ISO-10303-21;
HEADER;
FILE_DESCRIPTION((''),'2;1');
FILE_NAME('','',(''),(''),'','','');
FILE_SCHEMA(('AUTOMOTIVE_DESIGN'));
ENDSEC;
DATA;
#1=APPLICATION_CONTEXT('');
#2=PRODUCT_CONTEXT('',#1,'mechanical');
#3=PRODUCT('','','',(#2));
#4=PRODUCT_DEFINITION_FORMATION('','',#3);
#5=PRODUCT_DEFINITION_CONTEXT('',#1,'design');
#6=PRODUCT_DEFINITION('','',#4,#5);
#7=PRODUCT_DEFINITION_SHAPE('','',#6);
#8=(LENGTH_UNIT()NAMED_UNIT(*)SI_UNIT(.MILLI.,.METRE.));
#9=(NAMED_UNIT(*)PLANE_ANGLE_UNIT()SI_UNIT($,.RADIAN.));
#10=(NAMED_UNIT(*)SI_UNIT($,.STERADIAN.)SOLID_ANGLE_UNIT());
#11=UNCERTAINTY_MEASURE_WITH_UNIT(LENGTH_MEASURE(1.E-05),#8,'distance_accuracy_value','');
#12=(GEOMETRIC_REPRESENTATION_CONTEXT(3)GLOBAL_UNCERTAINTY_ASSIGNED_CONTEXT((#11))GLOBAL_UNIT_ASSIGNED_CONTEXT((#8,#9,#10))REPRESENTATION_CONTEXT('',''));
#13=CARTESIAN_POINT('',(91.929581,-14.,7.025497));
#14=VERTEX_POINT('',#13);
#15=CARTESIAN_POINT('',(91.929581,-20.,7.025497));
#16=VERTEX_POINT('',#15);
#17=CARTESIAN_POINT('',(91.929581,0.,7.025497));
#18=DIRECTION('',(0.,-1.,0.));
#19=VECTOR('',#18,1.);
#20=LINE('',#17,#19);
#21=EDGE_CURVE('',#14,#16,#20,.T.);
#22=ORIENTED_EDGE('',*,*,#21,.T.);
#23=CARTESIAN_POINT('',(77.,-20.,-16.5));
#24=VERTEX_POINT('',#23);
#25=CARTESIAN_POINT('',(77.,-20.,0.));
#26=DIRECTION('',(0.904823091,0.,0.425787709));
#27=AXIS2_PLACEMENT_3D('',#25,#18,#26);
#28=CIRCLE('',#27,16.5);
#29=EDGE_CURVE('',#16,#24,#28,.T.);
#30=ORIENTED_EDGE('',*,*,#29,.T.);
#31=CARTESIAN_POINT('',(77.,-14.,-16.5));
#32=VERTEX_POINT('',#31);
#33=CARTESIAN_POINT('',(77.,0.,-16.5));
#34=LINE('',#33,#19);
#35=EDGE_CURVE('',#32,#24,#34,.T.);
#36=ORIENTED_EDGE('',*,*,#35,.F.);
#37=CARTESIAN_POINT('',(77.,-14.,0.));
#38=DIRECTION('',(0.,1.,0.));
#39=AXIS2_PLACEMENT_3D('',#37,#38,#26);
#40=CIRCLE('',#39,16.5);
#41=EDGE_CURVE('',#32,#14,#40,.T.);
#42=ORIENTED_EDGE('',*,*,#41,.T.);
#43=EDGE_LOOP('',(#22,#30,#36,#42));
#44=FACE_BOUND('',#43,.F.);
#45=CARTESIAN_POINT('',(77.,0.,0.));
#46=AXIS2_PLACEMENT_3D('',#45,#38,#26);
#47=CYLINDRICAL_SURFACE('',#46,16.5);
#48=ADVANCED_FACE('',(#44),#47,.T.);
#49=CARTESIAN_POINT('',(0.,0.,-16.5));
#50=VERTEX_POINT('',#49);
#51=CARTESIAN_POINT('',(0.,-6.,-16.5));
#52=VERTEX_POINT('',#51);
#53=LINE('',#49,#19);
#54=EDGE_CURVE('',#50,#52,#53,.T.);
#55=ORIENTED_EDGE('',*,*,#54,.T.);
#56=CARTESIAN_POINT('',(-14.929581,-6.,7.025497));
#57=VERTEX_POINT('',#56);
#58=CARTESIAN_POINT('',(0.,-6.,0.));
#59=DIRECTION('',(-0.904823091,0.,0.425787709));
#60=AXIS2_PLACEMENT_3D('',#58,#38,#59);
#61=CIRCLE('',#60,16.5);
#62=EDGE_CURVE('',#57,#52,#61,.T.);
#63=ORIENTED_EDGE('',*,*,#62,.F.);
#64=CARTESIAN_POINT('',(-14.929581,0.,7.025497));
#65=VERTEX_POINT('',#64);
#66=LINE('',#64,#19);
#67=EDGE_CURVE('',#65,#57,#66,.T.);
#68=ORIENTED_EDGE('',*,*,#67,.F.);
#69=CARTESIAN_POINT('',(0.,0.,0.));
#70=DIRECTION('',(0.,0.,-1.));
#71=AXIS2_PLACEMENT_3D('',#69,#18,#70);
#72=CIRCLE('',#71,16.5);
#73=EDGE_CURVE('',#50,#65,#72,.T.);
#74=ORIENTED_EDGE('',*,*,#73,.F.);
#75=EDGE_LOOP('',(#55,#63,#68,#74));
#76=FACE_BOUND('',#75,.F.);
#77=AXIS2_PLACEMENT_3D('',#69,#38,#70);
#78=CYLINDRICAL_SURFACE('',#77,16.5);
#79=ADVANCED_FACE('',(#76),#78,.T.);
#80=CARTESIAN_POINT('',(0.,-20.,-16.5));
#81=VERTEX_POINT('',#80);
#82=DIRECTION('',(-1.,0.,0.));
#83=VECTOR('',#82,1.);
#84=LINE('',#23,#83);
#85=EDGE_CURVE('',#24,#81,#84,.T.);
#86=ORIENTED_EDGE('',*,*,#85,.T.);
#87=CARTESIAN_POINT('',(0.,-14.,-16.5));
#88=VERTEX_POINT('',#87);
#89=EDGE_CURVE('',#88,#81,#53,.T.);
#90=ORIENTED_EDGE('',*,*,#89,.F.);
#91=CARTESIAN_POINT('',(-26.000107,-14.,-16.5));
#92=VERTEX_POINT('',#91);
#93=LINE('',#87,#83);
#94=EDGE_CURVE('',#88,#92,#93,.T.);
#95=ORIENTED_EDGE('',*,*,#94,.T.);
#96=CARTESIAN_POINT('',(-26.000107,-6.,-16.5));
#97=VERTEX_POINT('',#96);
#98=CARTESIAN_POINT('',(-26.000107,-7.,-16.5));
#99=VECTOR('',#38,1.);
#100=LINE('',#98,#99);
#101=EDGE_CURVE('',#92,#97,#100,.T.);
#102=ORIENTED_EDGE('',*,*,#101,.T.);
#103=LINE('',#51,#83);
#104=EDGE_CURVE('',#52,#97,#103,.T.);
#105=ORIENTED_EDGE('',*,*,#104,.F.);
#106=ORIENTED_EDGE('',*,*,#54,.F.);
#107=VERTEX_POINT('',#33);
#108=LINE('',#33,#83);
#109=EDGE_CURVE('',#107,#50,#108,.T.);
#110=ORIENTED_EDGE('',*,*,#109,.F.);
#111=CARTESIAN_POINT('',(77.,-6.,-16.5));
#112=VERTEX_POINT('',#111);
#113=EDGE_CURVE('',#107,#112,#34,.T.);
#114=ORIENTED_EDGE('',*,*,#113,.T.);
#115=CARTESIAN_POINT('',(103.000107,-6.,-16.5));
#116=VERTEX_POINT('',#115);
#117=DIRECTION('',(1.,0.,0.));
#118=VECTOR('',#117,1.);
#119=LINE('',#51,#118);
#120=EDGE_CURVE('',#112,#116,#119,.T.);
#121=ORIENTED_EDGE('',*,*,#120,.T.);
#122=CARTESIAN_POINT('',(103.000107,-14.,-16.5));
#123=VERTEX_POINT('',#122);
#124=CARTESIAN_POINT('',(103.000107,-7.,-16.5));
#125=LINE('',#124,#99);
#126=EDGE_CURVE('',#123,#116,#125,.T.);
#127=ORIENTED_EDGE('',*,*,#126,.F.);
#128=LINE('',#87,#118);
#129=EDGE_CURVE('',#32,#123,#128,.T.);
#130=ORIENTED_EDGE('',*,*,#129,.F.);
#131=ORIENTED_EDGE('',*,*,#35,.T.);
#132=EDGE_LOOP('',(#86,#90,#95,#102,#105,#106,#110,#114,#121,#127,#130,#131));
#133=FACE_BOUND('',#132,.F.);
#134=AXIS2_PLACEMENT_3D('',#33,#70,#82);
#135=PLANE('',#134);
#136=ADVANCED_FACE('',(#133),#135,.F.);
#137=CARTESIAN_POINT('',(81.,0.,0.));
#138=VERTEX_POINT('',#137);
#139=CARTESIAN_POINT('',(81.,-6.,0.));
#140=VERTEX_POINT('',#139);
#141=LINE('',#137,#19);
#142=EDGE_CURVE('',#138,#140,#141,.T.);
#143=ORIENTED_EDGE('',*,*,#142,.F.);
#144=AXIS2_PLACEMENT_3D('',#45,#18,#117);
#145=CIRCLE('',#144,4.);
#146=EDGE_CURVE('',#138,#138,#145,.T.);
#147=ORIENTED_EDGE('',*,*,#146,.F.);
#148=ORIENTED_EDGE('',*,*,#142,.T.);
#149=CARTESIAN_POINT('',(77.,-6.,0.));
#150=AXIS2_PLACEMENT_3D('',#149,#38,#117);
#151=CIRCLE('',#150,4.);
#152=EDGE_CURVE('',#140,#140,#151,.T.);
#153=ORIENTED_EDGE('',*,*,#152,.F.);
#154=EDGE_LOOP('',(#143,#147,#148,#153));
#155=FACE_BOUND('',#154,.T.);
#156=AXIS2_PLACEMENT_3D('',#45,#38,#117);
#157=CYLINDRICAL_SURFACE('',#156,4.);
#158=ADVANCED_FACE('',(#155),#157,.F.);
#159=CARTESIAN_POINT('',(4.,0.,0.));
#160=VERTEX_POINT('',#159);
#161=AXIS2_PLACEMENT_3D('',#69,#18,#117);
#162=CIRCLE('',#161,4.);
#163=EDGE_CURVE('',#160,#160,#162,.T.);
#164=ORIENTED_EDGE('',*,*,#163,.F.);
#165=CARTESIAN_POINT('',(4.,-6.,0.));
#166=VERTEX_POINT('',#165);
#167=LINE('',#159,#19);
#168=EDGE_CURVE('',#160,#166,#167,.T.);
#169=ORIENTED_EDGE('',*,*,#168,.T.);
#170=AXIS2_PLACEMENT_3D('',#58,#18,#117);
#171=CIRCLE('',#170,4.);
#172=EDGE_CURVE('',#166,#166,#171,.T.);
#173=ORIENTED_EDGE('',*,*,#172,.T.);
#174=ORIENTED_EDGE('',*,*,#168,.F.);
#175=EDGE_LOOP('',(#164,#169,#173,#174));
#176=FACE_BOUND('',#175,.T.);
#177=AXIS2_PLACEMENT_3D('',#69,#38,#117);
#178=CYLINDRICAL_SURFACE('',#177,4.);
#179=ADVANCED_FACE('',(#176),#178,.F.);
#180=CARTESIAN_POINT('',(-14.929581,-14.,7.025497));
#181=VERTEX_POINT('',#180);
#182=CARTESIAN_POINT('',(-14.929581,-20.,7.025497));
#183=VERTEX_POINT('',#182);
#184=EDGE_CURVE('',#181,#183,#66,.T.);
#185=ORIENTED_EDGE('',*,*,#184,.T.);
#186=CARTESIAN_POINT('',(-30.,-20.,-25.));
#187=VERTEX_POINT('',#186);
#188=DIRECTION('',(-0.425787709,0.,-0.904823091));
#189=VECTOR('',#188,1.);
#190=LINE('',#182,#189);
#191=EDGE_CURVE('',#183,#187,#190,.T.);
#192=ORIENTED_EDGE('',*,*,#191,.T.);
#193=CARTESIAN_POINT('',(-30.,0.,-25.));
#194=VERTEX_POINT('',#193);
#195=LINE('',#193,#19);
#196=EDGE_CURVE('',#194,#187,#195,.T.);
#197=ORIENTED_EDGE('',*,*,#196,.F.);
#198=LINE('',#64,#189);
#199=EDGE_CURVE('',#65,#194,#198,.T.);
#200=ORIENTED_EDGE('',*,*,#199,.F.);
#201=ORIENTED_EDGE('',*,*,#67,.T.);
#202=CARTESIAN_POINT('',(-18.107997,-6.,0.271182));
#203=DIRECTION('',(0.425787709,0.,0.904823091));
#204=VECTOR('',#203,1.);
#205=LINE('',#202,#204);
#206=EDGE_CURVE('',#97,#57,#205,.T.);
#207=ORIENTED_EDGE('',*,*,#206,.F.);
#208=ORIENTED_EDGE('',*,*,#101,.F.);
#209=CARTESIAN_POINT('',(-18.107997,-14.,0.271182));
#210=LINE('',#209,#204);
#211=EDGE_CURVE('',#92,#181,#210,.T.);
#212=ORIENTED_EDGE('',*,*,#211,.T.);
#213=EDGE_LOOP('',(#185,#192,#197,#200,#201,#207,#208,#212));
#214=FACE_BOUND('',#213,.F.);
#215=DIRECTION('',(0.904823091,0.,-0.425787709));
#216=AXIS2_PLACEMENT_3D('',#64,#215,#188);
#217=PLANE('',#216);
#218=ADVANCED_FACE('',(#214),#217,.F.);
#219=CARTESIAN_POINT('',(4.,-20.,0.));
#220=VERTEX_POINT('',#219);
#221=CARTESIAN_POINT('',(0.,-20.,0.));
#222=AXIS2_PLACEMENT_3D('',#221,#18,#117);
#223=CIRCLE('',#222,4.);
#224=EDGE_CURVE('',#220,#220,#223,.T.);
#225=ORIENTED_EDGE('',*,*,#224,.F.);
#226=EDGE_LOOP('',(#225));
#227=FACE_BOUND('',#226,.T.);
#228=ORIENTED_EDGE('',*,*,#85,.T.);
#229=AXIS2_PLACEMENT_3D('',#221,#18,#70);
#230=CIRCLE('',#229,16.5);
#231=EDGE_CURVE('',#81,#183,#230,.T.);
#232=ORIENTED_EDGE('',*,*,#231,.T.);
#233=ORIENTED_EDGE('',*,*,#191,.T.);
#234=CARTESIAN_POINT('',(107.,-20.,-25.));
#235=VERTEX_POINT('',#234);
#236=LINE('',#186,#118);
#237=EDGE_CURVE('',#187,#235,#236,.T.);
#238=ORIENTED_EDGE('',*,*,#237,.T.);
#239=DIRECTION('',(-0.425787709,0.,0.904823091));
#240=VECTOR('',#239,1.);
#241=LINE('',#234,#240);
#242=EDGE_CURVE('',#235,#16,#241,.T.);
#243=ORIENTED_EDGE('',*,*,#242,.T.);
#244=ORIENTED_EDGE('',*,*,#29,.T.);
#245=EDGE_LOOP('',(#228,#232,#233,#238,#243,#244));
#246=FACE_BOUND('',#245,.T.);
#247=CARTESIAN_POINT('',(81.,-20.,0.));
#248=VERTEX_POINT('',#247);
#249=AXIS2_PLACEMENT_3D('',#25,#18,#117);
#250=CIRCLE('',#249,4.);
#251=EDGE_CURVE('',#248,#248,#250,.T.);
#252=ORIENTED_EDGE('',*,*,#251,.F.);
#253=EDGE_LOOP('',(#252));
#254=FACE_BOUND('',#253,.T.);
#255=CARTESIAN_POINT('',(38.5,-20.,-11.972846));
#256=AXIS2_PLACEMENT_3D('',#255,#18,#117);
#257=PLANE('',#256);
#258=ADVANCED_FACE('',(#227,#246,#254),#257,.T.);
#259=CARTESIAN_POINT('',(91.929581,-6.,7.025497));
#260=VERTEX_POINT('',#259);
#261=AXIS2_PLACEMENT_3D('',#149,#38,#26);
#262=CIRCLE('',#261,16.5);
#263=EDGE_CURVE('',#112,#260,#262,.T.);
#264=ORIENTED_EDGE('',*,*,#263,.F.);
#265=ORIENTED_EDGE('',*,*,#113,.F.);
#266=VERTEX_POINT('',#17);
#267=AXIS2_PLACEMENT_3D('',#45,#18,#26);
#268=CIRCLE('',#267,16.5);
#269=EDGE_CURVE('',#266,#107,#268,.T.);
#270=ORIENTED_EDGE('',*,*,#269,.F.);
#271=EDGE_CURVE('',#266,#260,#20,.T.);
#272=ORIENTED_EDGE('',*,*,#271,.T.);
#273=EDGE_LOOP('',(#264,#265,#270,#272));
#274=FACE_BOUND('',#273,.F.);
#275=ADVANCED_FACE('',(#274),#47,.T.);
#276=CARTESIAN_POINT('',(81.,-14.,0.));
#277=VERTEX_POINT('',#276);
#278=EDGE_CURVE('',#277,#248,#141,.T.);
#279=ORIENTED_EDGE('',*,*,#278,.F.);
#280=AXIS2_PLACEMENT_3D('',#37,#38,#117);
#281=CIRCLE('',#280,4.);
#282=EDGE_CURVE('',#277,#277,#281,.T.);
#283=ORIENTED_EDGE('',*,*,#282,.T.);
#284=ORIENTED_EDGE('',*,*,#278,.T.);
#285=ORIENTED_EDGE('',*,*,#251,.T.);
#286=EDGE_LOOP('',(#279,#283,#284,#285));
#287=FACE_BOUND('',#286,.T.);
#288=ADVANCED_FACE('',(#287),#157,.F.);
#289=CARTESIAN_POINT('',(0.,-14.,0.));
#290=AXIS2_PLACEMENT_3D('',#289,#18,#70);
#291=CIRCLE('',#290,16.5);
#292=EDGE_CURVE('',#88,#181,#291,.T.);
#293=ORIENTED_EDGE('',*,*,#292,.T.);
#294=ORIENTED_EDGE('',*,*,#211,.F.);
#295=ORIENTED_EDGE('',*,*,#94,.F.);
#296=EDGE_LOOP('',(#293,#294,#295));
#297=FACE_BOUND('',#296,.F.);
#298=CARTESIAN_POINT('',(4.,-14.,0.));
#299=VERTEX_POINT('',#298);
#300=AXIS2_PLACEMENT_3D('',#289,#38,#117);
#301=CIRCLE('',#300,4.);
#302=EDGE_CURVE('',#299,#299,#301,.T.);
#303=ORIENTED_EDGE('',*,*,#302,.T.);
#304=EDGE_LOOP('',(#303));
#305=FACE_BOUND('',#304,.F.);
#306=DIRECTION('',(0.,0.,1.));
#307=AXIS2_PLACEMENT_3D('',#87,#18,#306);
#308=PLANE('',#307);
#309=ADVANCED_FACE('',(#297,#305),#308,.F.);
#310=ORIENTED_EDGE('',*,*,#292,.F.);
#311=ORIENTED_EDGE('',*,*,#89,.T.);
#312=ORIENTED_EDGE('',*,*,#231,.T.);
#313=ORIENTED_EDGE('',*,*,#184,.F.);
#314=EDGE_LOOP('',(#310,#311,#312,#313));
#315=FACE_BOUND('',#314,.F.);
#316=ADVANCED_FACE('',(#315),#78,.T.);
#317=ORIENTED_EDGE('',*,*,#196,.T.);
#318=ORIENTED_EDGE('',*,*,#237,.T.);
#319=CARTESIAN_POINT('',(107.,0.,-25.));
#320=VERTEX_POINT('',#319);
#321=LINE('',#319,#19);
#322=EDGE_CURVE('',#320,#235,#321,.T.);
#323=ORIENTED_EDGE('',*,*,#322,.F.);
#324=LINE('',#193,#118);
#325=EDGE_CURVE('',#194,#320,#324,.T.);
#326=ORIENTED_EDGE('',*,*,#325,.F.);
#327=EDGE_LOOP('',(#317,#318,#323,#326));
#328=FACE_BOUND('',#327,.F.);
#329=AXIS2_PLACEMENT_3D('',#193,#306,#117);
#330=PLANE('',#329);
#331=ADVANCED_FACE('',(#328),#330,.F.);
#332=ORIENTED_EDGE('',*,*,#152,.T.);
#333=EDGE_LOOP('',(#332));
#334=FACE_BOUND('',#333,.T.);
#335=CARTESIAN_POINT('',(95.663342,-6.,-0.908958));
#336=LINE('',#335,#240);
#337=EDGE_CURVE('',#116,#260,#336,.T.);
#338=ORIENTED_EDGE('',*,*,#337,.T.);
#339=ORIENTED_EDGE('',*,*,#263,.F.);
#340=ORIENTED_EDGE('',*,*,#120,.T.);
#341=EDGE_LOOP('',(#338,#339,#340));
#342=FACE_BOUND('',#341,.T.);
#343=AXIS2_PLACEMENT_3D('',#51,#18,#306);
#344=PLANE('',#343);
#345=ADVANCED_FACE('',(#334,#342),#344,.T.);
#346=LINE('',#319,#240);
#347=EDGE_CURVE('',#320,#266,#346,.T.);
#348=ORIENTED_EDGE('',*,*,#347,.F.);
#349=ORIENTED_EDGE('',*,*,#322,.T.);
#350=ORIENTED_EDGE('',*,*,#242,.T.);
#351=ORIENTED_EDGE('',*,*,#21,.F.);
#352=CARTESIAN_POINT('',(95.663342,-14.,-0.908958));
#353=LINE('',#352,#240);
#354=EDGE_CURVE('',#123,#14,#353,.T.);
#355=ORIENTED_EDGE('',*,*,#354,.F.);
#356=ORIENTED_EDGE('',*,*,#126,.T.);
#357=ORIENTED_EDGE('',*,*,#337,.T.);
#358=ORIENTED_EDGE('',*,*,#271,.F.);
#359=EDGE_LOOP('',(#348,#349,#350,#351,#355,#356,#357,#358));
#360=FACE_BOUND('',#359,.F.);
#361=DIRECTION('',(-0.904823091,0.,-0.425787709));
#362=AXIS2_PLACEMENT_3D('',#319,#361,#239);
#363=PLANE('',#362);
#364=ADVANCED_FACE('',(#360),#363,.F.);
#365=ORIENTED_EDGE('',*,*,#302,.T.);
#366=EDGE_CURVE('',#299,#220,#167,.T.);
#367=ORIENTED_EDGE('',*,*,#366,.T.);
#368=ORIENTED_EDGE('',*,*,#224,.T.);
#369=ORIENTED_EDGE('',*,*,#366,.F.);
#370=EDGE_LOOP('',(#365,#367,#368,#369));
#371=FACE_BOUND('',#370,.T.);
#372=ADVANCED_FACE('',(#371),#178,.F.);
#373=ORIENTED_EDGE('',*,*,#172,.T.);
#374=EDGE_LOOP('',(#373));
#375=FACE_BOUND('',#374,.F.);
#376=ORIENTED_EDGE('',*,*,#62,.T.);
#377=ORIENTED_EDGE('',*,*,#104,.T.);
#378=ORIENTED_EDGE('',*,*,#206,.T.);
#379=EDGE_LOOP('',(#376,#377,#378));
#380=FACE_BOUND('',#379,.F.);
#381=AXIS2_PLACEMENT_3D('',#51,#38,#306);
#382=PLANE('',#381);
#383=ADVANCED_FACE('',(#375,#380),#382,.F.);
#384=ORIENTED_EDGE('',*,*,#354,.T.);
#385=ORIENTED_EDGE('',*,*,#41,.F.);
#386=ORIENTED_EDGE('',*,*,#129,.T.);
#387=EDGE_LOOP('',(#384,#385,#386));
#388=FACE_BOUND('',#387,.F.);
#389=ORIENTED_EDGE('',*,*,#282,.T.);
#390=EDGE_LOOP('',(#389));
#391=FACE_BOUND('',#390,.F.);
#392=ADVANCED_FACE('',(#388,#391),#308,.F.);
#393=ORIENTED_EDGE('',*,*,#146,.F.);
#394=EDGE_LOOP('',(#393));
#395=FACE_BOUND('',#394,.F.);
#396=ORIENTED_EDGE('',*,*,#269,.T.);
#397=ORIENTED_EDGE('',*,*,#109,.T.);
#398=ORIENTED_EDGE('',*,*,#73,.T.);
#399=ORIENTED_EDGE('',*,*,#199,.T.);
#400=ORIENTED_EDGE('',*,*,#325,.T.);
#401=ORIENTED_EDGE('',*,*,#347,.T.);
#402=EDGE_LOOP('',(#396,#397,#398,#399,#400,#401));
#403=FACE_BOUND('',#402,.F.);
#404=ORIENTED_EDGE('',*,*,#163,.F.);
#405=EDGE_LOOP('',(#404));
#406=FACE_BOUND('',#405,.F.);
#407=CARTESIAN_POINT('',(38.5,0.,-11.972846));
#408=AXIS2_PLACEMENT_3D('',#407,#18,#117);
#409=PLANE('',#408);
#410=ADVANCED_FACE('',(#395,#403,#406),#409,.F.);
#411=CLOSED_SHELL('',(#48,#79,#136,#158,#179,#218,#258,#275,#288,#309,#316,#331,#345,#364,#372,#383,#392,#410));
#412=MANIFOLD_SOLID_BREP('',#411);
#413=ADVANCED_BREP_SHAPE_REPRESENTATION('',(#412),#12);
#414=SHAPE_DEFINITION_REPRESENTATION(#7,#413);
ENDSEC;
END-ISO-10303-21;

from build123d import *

# Parameters (mm, degrees)
F0_R          = 4
F1_DEPTH      = 20
F2_W          = 8
F2_H          = 60.2939470698
F3_DEPTH      = 128.3
F3_DEPTH_BACK = 41.8


with BuildPart() as f1:
    # F0 (on Front) → F1 (new body)
    with BuildSketch(Plane.XZ):
        with BuildLine():
            Line((77, -16.5), (0, -16.5))
            ThreePointArc((0, -16.5), (13.9314518969, 8.8410773125), (-14.9295810055, 7.0254972066))
            Line((-14.9295810055, 7.0254972066), (-30, -25))
            Line((-30, -25), (107, -25))
            Line((107, -25), (91.9295810055, 7.0254972066))
            ThreePointArc((91.9295810055, 7.0254972066), (63.0685481031, 8.8410773125), (77, -16.5))
        make_face()
        Circle(F0_R, mode=Mode.SUBTRACT)
        with Locations((77, 0)):
            Circle(F0_R, mode=Mode.SUBTRACT)
    extrude(amount=F1_DEPTH)

    # F2 (on Right) → F3 (cut, two sides)
    with BuildSketch(Plane.YZ) as f3_sk:
        with Locations((-10, 13.6469735349)):
            Rectangle(F2_W, F2_H)
    extrude(amount=F3_DEPTH, mode=Mode.SUBTRACT)
    extrude(f3_sk.sketch, amount=-F3_DEPTH_BACK, mode=Mode.SUBTRACT)


solid = f1.part
